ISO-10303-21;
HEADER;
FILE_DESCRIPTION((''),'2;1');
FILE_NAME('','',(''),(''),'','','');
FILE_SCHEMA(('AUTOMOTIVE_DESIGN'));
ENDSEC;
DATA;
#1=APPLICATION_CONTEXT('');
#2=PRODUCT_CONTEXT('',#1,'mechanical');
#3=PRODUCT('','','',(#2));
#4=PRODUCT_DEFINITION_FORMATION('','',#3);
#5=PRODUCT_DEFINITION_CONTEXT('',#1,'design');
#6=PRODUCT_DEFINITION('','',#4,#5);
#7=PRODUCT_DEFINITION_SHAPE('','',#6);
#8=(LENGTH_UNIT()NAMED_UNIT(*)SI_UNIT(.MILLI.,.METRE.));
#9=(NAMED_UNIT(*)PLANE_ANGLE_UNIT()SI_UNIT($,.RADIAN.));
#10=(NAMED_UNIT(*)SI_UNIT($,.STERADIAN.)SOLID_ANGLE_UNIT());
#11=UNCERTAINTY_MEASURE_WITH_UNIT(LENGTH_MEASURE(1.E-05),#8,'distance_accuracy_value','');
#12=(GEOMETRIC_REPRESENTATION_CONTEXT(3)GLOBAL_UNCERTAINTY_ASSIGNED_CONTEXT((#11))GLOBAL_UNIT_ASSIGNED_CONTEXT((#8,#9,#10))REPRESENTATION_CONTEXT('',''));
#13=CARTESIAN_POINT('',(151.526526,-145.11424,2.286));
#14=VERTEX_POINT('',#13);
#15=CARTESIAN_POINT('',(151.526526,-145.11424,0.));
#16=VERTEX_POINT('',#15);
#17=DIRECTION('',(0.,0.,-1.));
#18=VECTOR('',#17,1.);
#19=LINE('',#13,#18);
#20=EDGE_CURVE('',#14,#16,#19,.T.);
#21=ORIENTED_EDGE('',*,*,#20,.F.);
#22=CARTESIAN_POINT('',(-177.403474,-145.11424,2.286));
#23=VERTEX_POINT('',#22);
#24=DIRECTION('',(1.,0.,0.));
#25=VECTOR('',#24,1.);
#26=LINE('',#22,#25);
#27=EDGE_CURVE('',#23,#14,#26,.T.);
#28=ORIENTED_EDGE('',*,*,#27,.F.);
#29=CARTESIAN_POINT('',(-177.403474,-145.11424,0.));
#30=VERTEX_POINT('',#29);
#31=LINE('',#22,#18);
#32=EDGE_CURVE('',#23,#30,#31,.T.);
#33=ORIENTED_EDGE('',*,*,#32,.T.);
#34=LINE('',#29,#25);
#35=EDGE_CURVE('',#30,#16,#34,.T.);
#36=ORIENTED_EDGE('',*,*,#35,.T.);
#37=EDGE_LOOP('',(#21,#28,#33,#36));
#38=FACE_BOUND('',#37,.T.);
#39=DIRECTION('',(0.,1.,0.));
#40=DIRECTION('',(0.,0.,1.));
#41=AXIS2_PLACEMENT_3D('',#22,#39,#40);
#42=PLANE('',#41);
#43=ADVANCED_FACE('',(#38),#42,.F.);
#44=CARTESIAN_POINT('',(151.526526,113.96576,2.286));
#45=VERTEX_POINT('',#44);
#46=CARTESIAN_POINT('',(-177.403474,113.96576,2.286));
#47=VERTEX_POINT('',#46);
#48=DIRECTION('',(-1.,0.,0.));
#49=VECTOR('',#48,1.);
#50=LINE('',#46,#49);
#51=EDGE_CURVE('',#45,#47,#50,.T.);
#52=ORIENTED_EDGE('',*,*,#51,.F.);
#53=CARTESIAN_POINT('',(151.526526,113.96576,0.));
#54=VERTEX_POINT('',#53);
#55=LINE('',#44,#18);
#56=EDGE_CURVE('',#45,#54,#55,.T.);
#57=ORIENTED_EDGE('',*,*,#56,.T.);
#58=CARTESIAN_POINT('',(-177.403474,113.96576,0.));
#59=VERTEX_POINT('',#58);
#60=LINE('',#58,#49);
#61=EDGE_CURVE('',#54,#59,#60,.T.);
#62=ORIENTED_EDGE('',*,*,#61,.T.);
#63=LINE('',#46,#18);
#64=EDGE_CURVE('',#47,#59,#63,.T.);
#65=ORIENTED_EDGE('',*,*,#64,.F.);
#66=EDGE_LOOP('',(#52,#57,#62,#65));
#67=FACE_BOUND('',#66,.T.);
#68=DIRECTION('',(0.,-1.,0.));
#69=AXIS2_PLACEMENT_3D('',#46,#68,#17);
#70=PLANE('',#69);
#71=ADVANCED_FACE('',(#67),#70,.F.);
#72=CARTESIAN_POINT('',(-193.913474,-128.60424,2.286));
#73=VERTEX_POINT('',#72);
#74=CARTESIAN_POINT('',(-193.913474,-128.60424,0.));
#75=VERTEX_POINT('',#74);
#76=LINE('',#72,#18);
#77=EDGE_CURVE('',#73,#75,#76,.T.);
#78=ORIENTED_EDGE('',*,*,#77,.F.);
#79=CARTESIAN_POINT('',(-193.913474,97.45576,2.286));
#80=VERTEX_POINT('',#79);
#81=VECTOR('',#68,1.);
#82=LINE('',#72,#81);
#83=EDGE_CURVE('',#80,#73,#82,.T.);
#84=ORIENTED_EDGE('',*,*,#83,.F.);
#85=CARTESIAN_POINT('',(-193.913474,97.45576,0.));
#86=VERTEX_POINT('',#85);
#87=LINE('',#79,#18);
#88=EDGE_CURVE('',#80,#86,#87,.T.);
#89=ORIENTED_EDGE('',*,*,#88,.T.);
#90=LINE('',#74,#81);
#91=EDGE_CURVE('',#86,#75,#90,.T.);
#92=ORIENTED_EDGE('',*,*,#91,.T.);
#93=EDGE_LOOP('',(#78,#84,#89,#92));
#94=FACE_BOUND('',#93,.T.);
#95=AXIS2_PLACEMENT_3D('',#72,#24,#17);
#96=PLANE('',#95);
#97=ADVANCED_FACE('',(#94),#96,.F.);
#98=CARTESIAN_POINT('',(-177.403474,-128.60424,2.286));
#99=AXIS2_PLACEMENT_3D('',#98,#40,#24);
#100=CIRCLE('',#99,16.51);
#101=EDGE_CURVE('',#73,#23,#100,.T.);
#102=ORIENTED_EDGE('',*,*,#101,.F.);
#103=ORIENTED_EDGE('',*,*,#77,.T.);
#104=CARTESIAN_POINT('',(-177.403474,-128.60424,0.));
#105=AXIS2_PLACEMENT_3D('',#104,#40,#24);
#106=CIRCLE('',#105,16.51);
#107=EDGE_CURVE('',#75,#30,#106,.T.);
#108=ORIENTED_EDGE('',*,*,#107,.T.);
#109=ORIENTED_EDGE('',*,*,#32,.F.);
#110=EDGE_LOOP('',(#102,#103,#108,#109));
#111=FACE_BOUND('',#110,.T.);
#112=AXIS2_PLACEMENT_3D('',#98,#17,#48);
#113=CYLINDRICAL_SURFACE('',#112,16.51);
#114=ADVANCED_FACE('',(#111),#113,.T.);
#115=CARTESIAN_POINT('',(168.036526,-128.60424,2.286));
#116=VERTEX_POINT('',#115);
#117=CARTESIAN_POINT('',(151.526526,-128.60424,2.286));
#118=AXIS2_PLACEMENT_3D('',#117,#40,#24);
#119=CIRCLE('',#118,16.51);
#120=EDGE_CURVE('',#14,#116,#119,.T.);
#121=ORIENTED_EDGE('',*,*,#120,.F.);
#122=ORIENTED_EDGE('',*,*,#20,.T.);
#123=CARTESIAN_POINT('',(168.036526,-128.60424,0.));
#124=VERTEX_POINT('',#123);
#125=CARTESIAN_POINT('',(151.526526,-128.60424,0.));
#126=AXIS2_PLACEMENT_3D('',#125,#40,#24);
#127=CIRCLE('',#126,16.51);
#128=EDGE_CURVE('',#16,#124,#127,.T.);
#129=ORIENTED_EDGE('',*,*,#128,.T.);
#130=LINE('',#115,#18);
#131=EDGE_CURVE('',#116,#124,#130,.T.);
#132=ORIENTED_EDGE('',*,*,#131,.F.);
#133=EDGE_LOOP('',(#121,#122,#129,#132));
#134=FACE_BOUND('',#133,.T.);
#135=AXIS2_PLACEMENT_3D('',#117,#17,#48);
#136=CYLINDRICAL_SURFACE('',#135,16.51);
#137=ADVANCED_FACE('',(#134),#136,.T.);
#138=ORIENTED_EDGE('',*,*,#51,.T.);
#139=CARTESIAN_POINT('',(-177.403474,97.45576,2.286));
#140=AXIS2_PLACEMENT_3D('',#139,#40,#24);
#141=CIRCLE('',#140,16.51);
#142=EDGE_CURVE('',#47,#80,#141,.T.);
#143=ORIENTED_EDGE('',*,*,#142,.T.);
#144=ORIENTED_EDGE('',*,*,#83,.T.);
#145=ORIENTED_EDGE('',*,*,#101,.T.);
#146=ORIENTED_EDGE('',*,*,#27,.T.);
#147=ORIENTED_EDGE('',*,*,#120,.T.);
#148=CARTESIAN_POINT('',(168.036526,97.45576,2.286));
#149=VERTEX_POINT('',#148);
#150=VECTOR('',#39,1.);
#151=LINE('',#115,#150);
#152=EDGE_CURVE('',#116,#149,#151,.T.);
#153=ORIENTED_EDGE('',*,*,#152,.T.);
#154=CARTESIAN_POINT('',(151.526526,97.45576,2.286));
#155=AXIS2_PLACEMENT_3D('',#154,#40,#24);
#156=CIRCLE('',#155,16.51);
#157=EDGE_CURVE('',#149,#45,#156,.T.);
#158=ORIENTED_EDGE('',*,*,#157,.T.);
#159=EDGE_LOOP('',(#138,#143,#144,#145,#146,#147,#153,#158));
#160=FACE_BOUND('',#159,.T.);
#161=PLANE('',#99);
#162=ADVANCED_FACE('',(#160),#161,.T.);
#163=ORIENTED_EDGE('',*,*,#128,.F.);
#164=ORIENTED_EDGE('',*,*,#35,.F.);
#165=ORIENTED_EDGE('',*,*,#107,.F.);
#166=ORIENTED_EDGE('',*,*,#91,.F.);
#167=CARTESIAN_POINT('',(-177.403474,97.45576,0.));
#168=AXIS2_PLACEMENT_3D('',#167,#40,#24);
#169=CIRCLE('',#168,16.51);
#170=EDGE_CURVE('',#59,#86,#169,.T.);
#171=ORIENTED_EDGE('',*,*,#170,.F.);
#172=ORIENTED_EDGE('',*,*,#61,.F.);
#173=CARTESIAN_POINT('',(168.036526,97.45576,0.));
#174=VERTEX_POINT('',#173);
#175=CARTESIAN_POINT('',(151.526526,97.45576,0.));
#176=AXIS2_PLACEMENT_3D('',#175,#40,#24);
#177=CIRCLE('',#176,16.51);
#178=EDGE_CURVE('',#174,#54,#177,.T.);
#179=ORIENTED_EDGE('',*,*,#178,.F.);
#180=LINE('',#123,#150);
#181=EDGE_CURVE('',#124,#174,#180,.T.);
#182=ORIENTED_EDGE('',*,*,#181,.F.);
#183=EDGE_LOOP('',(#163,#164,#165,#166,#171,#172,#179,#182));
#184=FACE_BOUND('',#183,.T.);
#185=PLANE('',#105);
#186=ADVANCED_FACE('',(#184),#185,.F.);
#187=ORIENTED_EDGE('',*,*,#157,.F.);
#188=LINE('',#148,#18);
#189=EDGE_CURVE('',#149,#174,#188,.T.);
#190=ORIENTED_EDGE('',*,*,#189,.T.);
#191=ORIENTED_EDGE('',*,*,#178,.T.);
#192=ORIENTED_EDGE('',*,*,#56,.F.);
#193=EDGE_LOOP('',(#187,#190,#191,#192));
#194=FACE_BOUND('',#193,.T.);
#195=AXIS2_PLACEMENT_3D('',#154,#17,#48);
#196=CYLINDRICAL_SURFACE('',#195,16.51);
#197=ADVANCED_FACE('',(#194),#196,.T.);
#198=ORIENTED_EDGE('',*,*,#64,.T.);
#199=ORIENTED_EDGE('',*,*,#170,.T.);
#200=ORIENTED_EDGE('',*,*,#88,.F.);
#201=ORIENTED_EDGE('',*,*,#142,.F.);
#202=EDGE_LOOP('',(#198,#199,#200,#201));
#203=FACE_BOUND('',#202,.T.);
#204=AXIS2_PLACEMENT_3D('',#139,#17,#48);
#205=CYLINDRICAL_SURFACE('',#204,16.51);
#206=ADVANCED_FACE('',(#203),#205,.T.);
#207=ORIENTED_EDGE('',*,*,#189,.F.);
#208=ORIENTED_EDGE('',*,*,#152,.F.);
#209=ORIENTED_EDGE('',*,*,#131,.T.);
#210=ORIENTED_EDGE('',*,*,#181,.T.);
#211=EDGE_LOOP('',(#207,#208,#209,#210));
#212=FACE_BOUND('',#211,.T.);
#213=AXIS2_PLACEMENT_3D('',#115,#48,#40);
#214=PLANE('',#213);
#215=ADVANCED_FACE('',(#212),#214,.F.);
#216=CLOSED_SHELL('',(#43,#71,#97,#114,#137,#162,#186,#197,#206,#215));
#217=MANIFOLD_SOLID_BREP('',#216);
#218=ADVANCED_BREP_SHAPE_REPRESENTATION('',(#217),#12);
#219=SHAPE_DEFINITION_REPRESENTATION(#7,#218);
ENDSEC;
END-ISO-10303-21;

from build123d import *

# Parameters (mm, degrees)
BOSS_EXTRUDE1_DEPTH = 2.286


with BuildPart() as part:
    # Sketch1 → Boss-Extrude1 (new body)
    with BuildSketch(Plane.XY):
        with BuildLine():
            Line((-177.403473858, -145.114240437), (151.526526142, -145.114240437))
            ThreePointArc((151.526526142, -145.114240437), (163.2008591, -140.278573395), (168.036526142, -128.604240437))
            Line((168.036526142, -128.604240437), (168.036526142, 97.455759563))
            ThreePointArc((168.036526142, 97.455759563), (163.2008591, 109.13009252), (151.526526142, 113.965759563))
            Line((151.526526142, 113.965759563), (-177.403473858, 113.965759563))
            ThreePointArc((-177.403473858, 113.965759563), (-189.077806815, 109.13009252), (-193.913473858, 97.455759563))
            Line((-193.913473858, 97.455759563), (-193.913473858, -128.604240437))
            ThreePointArc((-193.913473858, -128.604240437), (-189.077806815, -140.278573395), (-177.403473858, -145.114240437))
        make_face()
    extrude(amount=BOSS_EXTRUDE1_DEPTH)


solid = part.part
